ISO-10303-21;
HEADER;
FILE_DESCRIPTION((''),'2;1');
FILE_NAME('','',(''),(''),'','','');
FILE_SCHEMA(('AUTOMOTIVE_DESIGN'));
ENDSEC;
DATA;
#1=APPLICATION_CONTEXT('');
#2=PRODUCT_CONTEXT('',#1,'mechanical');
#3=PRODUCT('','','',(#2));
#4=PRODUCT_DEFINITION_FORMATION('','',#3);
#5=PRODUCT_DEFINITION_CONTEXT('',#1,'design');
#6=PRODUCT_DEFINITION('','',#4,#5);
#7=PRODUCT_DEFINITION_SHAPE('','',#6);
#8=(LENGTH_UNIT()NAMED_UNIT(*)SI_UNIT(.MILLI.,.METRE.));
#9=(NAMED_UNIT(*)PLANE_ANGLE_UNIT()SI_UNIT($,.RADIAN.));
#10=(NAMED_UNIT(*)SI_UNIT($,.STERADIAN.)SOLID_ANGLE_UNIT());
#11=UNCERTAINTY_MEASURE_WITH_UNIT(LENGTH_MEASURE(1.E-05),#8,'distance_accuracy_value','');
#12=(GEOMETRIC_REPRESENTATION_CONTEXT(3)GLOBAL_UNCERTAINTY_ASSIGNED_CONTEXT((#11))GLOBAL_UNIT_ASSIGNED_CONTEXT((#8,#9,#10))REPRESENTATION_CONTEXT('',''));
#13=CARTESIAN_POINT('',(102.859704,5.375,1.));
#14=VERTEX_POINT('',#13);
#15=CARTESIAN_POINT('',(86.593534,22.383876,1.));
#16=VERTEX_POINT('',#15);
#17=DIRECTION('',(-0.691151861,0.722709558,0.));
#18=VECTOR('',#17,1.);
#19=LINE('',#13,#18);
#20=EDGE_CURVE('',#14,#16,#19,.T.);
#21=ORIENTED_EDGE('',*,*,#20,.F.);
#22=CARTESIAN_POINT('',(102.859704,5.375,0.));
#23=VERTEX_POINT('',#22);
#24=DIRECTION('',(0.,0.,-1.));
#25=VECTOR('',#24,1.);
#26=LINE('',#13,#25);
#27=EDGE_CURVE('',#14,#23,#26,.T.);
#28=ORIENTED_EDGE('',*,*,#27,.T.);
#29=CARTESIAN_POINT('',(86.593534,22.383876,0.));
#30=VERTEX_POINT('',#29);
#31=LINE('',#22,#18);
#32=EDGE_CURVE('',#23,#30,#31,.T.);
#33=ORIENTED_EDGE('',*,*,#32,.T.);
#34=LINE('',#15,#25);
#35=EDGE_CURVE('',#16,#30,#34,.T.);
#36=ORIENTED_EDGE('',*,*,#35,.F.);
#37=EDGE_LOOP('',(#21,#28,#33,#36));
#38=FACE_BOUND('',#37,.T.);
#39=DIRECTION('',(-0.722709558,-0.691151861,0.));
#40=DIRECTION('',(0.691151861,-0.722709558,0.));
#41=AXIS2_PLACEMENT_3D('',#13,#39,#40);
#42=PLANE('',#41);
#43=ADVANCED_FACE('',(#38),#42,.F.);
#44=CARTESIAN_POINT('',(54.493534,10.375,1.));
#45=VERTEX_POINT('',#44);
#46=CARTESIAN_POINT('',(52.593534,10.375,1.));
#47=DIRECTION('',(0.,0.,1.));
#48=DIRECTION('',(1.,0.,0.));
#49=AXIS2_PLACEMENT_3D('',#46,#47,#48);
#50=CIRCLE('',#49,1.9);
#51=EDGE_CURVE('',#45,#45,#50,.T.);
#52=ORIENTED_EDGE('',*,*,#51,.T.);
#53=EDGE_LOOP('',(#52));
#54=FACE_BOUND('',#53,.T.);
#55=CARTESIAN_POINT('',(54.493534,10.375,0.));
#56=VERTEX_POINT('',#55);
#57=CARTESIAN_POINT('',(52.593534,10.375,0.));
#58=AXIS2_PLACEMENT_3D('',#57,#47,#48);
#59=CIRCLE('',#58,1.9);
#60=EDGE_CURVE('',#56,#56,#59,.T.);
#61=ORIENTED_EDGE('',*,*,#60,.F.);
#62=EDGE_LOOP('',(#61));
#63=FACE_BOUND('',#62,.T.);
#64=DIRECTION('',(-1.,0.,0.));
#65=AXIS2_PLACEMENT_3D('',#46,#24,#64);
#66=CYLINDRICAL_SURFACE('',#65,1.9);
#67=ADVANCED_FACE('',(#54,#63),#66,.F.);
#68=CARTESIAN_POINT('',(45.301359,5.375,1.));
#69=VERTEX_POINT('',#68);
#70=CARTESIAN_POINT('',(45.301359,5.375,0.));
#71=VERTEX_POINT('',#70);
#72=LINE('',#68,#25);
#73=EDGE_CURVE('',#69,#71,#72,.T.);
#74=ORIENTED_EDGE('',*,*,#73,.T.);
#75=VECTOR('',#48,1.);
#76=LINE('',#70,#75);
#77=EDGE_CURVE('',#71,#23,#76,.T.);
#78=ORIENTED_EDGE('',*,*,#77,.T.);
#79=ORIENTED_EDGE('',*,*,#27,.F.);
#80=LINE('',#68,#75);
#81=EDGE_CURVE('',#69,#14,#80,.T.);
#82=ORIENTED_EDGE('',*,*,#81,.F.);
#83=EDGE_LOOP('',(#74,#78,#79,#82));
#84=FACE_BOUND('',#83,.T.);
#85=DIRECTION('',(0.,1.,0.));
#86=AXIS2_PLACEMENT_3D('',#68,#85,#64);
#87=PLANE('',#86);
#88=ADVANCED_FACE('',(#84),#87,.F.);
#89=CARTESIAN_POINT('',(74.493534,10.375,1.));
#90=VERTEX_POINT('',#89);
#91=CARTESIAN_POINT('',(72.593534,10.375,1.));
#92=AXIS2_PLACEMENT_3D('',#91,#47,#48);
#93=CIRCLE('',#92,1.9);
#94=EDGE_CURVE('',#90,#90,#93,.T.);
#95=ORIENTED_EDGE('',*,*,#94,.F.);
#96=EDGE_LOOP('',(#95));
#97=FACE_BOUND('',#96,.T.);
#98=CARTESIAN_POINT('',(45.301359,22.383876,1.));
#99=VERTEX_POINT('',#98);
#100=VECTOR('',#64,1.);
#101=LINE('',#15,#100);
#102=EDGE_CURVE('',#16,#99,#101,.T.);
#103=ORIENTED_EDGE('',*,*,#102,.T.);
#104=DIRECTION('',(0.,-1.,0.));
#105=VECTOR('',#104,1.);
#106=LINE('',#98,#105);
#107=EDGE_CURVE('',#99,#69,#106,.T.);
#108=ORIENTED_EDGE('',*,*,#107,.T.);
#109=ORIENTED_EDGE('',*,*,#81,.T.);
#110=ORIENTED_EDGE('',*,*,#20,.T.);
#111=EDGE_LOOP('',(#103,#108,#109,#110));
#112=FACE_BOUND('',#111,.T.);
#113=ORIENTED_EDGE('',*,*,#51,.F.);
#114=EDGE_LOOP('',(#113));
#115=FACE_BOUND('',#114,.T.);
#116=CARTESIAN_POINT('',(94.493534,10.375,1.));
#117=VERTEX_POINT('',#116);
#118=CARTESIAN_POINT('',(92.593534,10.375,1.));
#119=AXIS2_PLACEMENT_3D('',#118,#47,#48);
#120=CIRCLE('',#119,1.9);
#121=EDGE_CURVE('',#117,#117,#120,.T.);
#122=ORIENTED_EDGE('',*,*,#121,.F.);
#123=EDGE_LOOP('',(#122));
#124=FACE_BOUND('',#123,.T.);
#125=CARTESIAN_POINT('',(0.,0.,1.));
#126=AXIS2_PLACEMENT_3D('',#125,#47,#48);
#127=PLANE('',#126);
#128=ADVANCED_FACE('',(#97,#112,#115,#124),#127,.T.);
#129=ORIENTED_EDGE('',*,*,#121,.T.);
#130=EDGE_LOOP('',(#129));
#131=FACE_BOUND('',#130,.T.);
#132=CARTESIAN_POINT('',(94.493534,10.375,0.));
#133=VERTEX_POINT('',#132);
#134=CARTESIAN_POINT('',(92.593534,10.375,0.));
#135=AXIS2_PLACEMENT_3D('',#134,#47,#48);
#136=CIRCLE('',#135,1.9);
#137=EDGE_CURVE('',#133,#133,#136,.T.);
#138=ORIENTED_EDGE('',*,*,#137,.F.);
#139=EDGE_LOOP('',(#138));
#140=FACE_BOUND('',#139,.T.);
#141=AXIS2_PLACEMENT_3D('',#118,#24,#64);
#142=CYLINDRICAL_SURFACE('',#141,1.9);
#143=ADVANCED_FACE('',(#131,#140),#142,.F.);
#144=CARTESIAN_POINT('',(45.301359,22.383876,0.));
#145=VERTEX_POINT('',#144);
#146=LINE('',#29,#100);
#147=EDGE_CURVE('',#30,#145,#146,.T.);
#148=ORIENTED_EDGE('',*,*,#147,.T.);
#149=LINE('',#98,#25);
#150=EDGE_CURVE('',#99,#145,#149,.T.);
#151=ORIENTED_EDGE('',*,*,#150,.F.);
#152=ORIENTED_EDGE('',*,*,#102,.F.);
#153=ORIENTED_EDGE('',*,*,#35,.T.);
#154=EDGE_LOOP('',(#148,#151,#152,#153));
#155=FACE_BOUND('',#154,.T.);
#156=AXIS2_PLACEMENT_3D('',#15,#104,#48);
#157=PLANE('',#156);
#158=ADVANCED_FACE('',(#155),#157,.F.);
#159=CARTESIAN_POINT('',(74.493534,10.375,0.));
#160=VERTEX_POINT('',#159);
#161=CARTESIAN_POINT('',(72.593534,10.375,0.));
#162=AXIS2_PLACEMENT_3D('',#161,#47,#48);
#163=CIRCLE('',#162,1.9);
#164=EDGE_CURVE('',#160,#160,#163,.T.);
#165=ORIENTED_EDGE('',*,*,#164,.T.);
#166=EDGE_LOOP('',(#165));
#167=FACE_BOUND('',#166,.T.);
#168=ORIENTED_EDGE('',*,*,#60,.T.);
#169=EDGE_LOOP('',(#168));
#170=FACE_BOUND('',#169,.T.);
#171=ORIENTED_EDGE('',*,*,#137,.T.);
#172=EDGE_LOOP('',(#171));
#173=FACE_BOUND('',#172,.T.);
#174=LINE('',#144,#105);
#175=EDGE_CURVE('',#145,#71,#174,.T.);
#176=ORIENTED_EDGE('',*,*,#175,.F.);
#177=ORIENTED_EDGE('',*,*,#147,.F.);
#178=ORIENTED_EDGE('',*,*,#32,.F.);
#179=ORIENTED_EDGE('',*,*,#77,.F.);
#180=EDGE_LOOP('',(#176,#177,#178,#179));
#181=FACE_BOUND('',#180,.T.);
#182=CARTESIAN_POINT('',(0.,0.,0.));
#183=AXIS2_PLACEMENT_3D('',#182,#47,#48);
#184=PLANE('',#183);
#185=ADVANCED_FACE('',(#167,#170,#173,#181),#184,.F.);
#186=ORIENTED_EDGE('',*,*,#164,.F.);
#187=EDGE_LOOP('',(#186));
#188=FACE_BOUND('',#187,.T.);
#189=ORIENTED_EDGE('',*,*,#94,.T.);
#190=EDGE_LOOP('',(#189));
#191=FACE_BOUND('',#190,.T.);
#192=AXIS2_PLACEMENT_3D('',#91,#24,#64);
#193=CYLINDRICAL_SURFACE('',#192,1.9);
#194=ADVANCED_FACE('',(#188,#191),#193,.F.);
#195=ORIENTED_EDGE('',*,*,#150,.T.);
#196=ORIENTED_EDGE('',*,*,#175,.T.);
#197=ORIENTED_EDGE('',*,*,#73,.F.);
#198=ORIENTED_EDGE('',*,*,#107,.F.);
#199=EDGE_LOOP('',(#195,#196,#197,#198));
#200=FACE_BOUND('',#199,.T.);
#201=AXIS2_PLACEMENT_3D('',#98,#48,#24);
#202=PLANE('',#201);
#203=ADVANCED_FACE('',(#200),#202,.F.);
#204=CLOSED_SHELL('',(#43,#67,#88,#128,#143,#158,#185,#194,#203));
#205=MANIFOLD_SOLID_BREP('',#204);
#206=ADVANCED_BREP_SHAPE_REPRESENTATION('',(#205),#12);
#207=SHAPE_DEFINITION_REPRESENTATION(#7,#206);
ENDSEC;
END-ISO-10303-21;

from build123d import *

# Parameters (mm, degrees)
SKETCH_1_R      = 1.9
EXTRUDE_1_DEPTH = 1


with BuildPart() as part:
    # Эскиз1 → Бобышка-Вытянуть1 (new body)
    with BuildSketch(Plane.XY):
        Polygon((45.301358773, 5.375), (102.859703721, 5.375), (86.593533576, 22.383876488), (45.301358773, 22.383876488), align=None)
        with Locations((92.593533576, 10.375)):
            Circle(SKETCH_1_R, mode=Mode.SUBTRACT)
        with Locations((72.593533576, 10.375)):
            Circle(SKETCH_1_R, mode=Mode.SUBTRACT)
        with Locations((52.593533576, 10.375)):
            Circle(SKETCH_1_R, mode=Mode.SUBTRACT)
    extrude(amount=EXTRUDE_1_DEPTH)


solid = part.part
